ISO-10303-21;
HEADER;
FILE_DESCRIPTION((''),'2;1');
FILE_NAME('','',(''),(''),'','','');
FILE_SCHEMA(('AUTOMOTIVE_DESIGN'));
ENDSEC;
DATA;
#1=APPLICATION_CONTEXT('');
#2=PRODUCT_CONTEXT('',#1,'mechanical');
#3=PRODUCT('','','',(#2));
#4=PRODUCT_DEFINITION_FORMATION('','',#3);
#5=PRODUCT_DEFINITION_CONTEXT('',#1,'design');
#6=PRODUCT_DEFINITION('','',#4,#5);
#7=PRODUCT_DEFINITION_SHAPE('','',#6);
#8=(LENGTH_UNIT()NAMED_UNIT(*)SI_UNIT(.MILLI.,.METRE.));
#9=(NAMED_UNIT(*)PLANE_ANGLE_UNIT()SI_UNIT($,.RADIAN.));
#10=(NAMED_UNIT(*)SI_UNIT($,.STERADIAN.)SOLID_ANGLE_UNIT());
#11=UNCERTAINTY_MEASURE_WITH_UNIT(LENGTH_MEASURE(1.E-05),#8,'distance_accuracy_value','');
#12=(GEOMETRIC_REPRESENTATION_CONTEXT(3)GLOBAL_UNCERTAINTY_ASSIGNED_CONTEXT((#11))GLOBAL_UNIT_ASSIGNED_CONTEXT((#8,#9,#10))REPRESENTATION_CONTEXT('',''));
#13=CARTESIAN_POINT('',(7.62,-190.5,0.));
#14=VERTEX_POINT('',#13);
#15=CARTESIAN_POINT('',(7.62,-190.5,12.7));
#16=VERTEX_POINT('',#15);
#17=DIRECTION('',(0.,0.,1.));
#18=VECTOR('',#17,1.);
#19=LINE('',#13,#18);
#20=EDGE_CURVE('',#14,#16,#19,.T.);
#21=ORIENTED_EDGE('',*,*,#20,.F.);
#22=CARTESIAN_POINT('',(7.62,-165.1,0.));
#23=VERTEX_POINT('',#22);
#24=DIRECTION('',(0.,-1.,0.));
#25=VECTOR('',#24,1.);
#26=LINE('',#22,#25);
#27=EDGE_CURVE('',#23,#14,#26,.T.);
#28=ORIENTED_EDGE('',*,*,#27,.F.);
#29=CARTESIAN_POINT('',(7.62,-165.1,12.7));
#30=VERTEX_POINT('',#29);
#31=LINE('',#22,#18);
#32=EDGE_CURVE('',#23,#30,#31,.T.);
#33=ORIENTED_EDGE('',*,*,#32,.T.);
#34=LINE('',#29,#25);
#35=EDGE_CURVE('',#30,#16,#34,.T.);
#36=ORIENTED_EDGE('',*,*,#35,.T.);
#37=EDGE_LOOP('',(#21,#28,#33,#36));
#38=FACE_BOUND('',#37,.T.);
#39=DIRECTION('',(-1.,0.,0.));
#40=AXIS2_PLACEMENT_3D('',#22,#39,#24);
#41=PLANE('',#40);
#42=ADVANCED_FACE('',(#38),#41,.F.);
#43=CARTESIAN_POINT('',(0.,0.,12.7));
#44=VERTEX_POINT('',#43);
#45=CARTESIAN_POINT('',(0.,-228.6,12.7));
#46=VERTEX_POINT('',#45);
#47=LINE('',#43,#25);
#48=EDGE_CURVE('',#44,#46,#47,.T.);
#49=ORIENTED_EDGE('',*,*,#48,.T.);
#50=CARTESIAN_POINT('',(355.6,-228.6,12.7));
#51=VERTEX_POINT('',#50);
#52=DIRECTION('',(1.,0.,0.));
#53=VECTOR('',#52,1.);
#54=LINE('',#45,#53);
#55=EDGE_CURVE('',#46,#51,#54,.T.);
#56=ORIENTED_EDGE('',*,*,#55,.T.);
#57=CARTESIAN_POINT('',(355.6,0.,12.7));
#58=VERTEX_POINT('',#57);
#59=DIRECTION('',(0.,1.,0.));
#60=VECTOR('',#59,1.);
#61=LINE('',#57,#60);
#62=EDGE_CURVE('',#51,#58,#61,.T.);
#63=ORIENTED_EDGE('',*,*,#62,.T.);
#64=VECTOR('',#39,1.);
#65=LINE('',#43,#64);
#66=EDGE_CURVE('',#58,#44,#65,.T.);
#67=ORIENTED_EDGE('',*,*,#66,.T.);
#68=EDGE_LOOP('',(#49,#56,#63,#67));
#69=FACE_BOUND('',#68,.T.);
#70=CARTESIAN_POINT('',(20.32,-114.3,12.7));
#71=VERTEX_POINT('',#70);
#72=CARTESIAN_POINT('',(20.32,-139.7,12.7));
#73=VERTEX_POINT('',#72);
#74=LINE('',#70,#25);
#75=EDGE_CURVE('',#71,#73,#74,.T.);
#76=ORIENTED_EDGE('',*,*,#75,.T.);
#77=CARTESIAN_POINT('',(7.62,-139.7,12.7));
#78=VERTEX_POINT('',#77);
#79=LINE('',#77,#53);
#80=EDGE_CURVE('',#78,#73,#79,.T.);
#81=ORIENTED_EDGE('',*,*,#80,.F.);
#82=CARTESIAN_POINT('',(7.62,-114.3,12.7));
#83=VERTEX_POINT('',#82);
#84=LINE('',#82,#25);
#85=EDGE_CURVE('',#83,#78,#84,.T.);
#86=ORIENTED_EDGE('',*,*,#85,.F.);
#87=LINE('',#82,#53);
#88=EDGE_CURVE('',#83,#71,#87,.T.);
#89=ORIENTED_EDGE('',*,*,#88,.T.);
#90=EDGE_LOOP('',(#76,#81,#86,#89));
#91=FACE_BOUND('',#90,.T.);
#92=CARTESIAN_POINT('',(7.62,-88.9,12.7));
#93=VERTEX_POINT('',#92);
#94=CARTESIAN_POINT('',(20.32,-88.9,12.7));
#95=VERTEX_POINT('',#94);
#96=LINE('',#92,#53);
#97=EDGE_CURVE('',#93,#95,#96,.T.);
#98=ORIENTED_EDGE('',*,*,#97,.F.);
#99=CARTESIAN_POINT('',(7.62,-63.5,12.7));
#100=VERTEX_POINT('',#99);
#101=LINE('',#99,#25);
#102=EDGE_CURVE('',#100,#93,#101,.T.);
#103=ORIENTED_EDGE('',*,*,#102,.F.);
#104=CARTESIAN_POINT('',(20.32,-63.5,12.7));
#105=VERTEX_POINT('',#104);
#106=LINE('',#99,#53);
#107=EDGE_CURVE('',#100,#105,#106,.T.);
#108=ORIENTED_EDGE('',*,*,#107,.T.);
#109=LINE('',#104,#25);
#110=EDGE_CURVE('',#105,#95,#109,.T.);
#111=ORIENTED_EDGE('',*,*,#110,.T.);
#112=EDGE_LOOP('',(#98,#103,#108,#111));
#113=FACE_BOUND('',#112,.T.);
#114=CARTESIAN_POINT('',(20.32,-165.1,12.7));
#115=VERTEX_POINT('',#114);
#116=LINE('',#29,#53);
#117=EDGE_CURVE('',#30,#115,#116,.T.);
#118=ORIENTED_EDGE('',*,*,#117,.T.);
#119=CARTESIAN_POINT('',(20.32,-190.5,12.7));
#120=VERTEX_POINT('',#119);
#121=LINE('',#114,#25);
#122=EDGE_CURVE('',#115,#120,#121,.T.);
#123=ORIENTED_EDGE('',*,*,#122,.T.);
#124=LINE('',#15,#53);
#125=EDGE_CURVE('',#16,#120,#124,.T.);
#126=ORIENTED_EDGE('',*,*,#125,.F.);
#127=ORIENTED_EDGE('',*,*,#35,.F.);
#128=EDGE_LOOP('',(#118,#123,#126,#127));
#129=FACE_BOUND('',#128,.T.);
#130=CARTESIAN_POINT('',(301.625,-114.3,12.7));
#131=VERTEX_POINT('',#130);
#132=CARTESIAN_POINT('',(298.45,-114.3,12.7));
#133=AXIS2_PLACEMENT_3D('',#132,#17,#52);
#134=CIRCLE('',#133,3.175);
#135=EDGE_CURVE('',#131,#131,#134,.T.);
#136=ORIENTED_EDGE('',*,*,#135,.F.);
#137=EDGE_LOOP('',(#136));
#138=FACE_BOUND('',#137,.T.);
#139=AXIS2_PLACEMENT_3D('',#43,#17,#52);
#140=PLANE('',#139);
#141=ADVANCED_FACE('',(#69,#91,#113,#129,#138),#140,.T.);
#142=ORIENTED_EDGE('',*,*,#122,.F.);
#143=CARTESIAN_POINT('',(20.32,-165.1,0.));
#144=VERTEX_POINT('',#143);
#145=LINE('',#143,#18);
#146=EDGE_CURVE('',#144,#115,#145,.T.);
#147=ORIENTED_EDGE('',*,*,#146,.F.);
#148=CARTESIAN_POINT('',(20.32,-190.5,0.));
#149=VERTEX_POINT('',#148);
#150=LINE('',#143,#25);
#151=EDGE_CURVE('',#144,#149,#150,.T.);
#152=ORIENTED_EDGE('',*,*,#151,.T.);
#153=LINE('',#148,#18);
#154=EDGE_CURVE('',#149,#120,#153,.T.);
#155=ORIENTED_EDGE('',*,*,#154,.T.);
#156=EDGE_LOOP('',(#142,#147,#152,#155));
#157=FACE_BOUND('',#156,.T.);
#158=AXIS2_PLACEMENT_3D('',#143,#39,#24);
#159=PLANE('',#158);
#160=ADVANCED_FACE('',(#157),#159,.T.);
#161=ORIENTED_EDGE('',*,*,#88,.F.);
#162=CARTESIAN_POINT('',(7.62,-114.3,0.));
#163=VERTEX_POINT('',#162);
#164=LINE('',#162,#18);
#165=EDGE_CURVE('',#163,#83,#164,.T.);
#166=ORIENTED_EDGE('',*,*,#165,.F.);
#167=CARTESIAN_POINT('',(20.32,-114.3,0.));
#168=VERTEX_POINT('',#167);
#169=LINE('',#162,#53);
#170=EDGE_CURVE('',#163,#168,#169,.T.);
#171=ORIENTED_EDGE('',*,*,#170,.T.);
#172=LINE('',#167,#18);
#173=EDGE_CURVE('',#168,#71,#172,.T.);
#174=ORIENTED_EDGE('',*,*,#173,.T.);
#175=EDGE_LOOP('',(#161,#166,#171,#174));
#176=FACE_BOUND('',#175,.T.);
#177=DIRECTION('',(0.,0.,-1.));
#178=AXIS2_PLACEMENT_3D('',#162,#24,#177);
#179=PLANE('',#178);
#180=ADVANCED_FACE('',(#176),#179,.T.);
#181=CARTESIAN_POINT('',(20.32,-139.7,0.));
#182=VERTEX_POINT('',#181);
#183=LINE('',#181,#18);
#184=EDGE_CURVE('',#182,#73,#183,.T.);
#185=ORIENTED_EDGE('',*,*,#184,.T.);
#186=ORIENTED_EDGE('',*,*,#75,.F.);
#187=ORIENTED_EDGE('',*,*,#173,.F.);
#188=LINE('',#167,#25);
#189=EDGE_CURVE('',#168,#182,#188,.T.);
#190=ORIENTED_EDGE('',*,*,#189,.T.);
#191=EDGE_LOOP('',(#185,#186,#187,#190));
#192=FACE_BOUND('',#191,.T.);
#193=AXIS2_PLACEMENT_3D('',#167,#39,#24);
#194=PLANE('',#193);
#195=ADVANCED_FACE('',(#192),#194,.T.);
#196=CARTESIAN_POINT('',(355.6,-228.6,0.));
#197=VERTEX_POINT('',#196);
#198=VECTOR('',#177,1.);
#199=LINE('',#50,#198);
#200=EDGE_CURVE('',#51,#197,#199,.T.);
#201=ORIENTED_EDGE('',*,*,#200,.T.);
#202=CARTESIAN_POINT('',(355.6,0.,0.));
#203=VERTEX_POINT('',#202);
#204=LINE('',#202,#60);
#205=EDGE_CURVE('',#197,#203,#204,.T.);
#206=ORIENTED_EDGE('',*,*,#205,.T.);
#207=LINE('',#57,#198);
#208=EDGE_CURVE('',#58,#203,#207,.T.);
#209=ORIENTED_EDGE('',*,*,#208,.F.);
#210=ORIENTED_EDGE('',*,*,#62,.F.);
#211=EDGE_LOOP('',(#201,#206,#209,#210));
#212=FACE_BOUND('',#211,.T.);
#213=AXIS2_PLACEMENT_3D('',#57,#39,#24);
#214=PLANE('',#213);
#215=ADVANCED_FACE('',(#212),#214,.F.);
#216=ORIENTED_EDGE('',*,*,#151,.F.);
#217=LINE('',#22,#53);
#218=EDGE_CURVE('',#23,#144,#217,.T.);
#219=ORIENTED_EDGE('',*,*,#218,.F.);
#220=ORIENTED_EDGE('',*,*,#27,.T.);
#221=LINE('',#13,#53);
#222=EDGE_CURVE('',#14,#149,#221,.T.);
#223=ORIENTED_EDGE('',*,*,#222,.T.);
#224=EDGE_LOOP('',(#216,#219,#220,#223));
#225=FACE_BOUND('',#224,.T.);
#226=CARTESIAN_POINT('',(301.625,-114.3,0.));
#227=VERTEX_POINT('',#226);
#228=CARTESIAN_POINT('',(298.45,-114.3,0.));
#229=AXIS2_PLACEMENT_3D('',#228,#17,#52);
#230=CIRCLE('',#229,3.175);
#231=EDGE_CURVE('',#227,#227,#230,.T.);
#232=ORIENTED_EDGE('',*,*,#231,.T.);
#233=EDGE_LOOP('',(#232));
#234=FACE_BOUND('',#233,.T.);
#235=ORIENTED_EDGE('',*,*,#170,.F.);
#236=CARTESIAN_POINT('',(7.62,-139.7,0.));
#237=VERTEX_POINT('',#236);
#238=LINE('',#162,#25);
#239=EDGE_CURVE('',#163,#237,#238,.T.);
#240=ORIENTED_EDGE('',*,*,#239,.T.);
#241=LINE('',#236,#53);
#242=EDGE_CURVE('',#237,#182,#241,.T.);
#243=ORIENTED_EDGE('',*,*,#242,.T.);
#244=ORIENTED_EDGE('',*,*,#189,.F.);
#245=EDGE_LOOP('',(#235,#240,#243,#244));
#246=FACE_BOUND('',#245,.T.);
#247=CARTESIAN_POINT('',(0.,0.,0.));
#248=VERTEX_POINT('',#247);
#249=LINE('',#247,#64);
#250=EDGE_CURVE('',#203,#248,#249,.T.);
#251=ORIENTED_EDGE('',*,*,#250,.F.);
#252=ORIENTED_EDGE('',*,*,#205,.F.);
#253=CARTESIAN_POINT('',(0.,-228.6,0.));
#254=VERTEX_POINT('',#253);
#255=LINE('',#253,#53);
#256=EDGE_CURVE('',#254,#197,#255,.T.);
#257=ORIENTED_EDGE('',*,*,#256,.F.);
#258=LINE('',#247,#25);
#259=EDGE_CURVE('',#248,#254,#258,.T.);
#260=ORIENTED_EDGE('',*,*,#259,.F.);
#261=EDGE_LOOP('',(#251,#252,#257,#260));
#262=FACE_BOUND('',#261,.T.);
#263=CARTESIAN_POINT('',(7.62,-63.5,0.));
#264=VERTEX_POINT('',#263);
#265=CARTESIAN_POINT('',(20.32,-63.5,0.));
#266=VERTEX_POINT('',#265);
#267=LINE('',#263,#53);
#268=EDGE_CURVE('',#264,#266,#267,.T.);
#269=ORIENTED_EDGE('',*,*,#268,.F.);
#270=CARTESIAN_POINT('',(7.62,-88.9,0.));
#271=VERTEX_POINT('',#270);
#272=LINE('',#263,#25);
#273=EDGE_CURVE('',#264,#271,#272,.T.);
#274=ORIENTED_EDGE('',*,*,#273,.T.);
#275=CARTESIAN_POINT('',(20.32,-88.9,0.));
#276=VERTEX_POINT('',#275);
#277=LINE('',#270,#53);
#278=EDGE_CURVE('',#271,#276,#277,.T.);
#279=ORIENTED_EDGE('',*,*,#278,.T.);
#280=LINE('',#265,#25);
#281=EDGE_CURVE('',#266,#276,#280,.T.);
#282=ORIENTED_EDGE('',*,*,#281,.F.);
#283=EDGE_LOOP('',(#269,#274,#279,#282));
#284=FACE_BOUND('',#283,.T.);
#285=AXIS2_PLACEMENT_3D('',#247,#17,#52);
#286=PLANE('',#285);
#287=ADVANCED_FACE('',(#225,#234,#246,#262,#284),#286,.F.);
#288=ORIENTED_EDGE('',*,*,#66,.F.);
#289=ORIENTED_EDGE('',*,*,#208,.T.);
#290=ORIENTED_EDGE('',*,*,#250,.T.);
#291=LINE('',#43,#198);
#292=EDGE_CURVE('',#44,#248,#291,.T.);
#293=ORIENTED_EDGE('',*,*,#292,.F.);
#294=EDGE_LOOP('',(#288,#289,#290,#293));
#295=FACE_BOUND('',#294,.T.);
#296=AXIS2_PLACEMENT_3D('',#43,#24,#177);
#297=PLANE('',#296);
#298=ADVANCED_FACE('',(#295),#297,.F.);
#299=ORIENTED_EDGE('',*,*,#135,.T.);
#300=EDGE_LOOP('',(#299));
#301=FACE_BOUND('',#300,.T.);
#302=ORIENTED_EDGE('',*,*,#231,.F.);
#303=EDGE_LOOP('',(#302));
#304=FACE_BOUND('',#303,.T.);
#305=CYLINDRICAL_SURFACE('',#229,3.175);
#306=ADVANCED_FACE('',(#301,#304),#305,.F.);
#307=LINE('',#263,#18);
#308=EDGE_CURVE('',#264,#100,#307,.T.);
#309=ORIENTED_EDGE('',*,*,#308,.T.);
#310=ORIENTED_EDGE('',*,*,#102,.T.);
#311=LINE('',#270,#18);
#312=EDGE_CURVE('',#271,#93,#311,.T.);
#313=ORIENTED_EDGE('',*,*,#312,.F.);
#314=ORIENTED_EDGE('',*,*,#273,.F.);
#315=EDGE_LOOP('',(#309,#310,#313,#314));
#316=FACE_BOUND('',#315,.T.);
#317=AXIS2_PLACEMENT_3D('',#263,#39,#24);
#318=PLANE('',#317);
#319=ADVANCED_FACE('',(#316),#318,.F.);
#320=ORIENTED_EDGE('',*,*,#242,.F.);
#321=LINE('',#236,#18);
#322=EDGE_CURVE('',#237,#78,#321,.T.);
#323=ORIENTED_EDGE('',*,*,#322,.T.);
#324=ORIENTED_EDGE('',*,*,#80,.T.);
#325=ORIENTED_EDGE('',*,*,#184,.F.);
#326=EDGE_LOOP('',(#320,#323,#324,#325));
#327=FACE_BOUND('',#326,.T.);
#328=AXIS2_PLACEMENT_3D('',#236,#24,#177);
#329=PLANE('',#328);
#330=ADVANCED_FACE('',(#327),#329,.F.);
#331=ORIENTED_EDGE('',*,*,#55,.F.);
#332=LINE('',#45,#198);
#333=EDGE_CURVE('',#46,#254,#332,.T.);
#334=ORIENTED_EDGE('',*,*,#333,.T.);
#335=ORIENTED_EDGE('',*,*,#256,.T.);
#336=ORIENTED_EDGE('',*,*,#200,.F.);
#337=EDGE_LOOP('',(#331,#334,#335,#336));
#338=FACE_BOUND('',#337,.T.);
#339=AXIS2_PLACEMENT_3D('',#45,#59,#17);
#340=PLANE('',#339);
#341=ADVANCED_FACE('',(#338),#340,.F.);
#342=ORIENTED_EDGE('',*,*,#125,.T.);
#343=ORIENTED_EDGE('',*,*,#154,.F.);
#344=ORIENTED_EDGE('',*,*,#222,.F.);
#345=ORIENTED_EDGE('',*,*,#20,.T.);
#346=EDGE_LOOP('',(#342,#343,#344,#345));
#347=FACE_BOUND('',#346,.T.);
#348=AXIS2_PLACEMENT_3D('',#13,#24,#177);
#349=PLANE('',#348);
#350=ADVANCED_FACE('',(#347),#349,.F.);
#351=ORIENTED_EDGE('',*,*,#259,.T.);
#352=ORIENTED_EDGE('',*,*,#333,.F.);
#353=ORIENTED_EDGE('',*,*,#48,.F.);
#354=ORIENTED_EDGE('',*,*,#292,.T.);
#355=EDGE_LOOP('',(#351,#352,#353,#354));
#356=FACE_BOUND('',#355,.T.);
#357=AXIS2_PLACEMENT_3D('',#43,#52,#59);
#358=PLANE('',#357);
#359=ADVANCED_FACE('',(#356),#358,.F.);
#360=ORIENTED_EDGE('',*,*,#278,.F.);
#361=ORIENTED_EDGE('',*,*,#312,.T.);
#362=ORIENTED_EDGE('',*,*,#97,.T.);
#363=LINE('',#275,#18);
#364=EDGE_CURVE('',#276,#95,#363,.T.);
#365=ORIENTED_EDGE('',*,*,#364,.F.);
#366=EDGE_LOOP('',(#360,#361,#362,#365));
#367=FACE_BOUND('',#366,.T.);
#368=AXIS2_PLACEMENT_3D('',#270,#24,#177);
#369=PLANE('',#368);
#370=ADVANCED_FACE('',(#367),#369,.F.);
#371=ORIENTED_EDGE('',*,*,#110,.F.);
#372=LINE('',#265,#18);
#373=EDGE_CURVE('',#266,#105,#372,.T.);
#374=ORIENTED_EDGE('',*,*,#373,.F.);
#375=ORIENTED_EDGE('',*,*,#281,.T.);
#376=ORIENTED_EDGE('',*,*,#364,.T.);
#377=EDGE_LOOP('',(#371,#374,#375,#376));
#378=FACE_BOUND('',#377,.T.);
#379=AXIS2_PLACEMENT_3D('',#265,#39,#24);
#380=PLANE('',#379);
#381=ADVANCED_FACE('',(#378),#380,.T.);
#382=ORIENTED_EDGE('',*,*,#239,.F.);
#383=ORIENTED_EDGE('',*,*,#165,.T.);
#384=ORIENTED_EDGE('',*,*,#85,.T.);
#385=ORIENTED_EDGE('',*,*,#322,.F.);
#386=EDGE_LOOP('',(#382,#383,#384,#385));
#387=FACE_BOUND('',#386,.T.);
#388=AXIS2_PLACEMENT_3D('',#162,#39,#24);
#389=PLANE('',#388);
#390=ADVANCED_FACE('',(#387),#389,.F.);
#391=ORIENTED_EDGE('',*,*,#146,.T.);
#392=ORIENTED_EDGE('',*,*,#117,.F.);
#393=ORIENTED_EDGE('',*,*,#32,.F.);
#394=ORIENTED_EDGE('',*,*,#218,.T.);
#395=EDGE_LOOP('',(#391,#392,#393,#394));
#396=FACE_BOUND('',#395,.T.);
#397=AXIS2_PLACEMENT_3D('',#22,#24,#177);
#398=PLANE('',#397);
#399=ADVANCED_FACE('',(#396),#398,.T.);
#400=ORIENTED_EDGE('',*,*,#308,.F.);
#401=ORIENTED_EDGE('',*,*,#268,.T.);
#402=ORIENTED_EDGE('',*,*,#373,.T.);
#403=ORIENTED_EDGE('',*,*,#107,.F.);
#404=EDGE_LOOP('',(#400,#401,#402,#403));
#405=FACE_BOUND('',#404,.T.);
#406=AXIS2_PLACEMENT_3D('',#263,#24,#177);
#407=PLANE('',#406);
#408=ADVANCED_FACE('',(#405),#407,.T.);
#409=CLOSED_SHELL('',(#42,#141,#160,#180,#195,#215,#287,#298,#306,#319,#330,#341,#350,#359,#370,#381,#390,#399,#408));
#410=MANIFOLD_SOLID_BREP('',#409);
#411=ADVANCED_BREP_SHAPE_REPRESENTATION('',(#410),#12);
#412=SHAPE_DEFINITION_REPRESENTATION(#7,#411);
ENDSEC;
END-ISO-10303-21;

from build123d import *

# Parameters (mm, degrees)
SKETCH2_W           = 355.6
SKETCH2_H           = 228.6
BOSS_EXTRUDE1_DEPTH = 12.7
SKETCH3_R           = 3.175
CUT_EXTRUDE1_DEPTH  = 12.7
SKETCH4_W           = 12.7
SKETCH4_H           = 25.4
CUT_EXTRUDE2_DEPTH  = 13.7


with BuildPart() as part:
    # Sketch2 → Boss-Extrude1 (new body)
    with BuildSketch(Plane.XY):
        with Locations((177.8, -114.3)):
            Rectangle(SKETCH2_W, SKETCH2_H)
    extrude(amount=BOSS_EXTRUDE1_DEPTH)

    # Sketch3 → Cut-Extrude1 (cut)
    with BuildSketch(Plane.XY.offset(12.7)):
        with Locations((298.45, -114.3)):
            Circle(SKETCH3_R)
    extrude(amount=-CUT_EXTRUDE1_DEPTH, mode=Mode.SUBTRACT)

    # Sketch4 → Cut-Extrude2 (cut, through all)
    with BuildSketch(Plane.XY.offset(12.7)):
        with Locations((13.97, -76.2)):
            Rectangle(SKETCH4_W, SKETCH4_H)
        with Locations((13.97, -127)):
            Rectangle(SKETCH4_W, SKETCH4_H)
        with Locations((13.97, -177.8)):
            Rectangle(SKETCH4_W, SKETCH4_H)
    extrude(amount=-CUT_EXTRUDE2_DEPTH, mode=Mode.SUBTRACT)


solid = part.part
